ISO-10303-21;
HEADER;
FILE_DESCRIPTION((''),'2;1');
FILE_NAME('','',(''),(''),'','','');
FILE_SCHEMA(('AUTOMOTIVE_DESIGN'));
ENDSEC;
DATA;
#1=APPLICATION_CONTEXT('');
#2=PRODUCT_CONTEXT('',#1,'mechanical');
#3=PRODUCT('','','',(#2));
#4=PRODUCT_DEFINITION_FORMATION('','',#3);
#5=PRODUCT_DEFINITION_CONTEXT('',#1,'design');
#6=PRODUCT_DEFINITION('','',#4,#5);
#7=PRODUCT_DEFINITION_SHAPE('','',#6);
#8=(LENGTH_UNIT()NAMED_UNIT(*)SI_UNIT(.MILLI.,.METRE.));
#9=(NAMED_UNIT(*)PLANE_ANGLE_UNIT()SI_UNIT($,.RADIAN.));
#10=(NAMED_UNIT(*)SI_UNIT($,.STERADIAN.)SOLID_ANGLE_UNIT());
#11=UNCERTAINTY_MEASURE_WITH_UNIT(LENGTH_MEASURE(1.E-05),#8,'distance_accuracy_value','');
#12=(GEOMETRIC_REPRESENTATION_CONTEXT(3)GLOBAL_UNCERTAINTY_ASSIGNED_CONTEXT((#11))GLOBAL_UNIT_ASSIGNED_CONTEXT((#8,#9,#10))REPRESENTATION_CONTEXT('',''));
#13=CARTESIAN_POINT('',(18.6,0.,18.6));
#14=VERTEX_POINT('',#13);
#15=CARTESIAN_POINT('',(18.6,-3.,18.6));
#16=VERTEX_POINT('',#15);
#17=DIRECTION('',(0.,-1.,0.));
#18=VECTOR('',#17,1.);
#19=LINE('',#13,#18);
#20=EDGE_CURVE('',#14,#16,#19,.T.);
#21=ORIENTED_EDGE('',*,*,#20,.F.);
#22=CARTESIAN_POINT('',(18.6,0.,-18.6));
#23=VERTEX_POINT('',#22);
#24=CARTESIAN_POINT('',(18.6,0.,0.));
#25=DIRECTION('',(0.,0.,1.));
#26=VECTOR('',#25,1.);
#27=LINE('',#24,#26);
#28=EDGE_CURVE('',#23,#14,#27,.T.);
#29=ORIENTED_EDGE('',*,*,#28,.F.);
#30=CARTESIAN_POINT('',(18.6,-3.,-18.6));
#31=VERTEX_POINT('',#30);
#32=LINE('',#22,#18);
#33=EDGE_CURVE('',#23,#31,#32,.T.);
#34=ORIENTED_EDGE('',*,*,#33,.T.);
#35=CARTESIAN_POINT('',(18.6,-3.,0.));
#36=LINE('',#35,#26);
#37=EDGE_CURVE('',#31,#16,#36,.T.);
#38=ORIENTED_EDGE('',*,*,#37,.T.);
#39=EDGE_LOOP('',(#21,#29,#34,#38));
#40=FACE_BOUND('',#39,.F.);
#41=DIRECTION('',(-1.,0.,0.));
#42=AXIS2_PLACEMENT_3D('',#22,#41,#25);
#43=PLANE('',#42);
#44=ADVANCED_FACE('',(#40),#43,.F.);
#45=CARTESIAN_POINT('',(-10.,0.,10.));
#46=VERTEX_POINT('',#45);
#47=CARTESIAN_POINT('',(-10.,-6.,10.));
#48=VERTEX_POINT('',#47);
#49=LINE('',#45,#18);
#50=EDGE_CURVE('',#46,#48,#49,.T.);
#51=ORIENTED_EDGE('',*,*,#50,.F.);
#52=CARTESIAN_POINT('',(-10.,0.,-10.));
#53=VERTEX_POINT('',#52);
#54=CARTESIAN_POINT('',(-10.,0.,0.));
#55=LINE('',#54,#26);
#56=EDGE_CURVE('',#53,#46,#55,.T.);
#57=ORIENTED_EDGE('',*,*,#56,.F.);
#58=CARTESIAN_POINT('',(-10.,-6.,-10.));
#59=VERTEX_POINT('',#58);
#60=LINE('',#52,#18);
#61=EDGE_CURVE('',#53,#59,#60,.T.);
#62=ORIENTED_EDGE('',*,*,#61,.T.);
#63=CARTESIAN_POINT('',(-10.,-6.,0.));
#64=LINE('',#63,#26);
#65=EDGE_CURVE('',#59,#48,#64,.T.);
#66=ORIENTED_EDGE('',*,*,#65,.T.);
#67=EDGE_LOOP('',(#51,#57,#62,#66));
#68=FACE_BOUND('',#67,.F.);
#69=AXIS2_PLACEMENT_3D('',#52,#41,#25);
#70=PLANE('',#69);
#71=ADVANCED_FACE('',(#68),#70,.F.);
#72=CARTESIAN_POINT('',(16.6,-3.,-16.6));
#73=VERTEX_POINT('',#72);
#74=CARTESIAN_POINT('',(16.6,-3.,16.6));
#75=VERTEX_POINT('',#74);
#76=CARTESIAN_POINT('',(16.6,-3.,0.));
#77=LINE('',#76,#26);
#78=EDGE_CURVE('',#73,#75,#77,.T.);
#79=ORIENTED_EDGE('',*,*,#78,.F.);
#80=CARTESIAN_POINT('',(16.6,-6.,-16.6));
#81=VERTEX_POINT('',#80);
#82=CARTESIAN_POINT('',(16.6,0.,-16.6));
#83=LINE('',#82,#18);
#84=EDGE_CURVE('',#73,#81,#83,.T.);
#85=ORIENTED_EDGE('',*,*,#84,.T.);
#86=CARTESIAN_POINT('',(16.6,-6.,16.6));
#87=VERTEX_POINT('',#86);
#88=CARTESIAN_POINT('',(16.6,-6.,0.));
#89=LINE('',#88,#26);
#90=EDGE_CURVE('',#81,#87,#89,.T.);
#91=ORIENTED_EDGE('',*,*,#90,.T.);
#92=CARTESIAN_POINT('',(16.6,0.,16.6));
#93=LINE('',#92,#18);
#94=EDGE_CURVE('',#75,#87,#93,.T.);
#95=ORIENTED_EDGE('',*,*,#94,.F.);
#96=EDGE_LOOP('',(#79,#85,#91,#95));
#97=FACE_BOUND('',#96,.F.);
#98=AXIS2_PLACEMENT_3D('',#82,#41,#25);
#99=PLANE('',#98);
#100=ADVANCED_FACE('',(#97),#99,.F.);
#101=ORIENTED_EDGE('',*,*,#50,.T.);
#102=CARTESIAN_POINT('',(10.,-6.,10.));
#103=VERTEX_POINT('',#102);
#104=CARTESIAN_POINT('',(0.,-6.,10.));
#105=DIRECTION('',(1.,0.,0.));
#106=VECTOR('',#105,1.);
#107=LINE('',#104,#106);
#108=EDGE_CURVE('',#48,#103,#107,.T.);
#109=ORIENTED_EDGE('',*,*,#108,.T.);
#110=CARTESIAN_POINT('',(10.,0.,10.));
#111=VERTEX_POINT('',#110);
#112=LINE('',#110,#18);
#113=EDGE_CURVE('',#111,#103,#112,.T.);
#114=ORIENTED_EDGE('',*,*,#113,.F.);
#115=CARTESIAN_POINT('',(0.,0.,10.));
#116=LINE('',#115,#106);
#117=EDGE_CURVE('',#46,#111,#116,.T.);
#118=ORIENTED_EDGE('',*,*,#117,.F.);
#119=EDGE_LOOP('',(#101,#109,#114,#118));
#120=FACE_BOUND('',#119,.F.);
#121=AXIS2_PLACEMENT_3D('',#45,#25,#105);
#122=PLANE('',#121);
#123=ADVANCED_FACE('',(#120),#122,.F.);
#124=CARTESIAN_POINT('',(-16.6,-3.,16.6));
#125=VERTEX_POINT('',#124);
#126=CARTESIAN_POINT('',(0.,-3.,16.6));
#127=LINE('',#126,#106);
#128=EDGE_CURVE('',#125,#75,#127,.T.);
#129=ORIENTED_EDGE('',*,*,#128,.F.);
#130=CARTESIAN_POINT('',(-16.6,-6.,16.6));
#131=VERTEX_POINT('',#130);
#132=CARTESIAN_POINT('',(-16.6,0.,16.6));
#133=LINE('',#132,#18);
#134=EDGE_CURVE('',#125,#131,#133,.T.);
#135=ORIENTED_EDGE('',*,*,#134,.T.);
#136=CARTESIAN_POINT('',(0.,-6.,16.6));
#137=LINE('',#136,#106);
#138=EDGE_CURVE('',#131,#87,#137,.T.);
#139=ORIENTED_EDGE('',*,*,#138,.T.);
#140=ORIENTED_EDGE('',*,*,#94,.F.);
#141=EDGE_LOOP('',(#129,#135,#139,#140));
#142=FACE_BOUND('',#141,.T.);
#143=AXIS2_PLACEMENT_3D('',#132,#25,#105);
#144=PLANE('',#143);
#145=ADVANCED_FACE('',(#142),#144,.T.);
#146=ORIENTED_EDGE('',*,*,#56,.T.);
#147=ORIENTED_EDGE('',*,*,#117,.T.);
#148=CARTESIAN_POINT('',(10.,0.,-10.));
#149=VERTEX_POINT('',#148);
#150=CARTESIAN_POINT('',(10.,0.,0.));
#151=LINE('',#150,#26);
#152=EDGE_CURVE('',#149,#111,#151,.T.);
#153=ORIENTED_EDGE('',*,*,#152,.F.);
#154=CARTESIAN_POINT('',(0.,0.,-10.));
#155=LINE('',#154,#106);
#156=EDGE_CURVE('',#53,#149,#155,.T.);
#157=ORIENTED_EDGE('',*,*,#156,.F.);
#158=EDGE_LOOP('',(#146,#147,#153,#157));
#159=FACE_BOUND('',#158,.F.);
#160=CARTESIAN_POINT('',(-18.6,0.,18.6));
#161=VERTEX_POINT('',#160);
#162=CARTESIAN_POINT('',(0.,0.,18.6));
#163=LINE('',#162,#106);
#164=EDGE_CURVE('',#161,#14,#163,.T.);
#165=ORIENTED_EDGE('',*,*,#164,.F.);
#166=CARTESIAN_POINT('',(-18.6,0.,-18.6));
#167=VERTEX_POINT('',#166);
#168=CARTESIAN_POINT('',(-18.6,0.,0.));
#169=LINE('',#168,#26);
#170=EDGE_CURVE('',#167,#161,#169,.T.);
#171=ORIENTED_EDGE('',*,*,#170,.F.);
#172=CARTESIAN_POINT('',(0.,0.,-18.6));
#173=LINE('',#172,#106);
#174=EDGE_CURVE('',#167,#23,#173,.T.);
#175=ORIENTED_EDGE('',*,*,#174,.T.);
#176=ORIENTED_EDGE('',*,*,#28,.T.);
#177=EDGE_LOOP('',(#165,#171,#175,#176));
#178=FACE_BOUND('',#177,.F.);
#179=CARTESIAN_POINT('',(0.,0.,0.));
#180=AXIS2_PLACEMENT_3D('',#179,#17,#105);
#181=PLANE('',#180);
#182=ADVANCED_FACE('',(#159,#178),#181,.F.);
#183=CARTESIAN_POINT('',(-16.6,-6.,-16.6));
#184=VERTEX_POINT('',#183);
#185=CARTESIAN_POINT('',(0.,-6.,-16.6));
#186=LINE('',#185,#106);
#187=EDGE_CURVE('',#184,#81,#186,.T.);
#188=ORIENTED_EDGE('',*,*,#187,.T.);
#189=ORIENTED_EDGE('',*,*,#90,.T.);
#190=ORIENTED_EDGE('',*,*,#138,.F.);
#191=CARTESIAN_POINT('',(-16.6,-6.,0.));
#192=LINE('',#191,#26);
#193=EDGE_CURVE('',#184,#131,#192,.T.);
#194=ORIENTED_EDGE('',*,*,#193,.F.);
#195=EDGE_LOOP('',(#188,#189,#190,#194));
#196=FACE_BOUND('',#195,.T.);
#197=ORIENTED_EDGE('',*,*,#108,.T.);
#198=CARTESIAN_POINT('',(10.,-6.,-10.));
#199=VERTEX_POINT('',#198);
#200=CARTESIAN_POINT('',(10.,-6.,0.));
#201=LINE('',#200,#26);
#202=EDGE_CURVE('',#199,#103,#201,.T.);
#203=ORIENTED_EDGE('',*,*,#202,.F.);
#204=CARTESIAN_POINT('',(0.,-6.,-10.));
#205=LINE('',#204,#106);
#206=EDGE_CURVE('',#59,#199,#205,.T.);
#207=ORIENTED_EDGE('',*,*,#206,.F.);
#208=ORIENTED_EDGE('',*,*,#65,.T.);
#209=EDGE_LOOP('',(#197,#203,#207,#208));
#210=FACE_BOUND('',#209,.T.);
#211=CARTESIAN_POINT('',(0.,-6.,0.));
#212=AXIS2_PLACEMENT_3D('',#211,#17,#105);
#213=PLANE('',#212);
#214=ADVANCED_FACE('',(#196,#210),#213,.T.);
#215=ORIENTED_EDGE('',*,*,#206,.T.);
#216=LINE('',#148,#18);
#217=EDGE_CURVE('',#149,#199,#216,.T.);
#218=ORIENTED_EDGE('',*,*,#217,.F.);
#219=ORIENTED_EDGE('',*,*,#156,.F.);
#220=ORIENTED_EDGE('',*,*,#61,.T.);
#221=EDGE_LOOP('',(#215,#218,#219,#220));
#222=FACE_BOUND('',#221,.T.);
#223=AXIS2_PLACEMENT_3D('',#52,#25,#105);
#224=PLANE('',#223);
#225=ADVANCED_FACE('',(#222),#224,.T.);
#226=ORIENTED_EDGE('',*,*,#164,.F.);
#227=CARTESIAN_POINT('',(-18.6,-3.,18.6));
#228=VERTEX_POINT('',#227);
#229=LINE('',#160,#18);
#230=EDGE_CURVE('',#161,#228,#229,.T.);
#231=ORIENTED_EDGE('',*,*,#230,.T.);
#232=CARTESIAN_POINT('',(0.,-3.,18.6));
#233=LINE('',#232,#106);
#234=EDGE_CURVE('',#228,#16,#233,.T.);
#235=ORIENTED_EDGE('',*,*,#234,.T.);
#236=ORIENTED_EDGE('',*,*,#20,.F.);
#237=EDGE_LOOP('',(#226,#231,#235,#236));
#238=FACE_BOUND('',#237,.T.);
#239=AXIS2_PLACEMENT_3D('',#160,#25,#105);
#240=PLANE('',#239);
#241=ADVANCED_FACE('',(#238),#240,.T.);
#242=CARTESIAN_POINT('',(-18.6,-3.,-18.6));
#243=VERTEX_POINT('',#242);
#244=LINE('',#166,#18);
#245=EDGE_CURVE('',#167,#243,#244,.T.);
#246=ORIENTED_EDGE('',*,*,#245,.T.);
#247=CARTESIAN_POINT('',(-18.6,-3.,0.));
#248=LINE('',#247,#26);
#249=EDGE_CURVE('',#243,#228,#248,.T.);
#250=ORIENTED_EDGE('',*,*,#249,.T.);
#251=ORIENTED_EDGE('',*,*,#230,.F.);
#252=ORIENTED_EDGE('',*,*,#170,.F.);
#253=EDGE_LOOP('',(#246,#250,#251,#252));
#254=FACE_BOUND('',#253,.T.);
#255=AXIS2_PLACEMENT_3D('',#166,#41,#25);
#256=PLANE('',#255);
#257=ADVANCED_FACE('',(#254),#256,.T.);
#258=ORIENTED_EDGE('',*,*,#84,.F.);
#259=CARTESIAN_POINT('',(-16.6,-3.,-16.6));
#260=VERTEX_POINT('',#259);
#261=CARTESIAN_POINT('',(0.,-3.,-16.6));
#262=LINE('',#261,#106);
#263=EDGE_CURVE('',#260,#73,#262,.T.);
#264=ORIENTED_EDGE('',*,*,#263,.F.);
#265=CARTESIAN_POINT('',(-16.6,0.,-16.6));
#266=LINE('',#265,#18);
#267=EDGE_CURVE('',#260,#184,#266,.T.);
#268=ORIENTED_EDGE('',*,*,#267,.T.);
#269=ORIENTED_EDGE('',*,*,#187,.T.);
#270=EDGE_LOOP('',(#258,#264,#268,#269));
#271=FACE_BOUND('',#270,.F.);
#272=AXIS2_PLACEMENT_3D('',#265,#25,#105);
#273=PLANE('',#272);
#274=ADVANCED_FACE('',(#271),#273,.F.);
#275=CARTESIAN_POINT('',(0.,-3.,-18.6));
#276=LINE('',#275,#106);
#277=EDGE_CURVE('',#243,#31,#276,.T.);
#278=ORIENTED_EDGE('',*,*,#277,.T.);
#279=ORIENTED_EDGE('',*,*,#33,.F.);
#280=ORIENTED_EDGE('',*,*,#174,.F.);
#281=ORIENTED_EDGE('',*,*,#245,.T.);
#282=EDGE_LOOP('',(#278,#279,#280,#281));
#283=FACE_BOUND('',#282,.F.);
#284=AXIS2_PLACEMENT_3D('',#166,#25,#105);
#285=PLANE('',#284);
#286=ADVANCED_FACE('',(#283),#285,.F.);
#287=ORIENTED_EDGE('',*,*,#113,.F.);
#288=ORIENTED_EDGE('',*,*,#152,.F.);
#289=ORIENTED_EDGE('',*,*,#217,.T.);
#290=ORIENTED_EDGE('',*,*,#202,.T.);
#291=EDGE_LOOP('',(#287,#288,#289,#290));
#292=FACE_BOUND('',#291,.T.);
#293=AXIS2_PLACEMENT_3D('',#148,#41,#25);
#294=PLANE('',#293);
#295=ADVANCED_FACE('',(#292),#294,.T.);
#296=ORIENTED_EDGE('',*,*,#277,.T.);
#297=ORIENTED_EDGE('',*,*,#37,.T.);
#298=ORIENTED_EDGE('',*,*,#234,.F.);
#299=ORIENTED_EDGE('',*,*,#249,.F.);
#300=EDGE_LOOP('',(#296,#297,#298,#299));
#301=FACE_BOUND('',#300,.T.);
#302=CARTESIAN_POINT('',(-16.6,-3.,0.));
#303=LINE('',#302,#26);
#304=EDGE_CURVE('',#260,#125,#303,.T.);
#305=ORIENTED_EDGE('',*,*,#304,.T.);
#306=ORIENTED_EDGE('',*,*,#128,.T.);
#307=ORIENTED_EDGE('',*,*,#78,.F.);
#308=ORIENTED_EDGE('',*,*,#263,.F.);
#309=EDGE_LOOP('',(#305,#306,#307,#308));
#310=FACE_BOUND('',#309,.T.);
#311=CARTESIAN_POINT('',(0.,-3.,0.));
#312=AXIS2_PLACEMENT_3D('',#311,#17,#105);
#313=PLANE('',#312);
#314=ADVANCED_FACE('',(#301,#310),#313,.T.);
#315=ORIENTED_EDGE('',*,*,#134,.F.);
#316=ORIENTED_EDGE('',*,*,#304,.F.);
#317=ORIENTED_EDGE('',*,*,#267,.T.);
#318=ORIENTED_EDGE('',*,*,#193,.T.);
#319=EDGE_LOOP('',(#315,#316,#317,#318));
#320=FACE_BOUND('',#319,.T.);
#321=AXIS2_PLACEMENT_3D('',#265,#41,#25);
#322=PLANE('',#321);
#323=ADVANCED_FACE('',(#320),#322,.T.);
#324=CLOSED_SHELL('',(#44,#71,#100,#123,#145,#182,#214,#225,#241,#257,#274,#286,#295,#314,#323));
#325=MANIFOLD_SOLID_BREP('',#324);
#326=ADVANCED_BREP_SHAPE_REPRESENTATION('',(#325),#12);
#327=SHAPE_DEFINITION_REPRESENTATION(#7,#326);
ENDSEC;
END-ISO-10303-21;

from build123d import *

# Parameters (mm, degrees)
F0_W     = 37.2
F0_H     = 37.2
F0_W_2   = 33.2
F0_H_2   = 33.2
F1_DEPTH = 3
F0_W_3   = 20
F0_H_3   = 20
F2_DEPTH = 6


with BuildPart() as f1:
    # F0 (on Front) → F1 (new body)
    with BuildSketch(Plane.XZ):
        Rectangle(F0_W, F0_H)
        Rectangle(F0_W_2, F0_H_2, mode=Mode.SUBTRACT)
    extrude(amount=F1_DEPTH)

    # F0 (on Front) → F2 (join)
    with BuildSketch(Plane.XZ):
        Rectangle(F0_W_2, F0_H_2)
        Rectangle(F0_W_3, F0_H_3, mode=Mode.SUBTRACT)
    extrude(amount=F2_DEPTH)


solid = f1.part
